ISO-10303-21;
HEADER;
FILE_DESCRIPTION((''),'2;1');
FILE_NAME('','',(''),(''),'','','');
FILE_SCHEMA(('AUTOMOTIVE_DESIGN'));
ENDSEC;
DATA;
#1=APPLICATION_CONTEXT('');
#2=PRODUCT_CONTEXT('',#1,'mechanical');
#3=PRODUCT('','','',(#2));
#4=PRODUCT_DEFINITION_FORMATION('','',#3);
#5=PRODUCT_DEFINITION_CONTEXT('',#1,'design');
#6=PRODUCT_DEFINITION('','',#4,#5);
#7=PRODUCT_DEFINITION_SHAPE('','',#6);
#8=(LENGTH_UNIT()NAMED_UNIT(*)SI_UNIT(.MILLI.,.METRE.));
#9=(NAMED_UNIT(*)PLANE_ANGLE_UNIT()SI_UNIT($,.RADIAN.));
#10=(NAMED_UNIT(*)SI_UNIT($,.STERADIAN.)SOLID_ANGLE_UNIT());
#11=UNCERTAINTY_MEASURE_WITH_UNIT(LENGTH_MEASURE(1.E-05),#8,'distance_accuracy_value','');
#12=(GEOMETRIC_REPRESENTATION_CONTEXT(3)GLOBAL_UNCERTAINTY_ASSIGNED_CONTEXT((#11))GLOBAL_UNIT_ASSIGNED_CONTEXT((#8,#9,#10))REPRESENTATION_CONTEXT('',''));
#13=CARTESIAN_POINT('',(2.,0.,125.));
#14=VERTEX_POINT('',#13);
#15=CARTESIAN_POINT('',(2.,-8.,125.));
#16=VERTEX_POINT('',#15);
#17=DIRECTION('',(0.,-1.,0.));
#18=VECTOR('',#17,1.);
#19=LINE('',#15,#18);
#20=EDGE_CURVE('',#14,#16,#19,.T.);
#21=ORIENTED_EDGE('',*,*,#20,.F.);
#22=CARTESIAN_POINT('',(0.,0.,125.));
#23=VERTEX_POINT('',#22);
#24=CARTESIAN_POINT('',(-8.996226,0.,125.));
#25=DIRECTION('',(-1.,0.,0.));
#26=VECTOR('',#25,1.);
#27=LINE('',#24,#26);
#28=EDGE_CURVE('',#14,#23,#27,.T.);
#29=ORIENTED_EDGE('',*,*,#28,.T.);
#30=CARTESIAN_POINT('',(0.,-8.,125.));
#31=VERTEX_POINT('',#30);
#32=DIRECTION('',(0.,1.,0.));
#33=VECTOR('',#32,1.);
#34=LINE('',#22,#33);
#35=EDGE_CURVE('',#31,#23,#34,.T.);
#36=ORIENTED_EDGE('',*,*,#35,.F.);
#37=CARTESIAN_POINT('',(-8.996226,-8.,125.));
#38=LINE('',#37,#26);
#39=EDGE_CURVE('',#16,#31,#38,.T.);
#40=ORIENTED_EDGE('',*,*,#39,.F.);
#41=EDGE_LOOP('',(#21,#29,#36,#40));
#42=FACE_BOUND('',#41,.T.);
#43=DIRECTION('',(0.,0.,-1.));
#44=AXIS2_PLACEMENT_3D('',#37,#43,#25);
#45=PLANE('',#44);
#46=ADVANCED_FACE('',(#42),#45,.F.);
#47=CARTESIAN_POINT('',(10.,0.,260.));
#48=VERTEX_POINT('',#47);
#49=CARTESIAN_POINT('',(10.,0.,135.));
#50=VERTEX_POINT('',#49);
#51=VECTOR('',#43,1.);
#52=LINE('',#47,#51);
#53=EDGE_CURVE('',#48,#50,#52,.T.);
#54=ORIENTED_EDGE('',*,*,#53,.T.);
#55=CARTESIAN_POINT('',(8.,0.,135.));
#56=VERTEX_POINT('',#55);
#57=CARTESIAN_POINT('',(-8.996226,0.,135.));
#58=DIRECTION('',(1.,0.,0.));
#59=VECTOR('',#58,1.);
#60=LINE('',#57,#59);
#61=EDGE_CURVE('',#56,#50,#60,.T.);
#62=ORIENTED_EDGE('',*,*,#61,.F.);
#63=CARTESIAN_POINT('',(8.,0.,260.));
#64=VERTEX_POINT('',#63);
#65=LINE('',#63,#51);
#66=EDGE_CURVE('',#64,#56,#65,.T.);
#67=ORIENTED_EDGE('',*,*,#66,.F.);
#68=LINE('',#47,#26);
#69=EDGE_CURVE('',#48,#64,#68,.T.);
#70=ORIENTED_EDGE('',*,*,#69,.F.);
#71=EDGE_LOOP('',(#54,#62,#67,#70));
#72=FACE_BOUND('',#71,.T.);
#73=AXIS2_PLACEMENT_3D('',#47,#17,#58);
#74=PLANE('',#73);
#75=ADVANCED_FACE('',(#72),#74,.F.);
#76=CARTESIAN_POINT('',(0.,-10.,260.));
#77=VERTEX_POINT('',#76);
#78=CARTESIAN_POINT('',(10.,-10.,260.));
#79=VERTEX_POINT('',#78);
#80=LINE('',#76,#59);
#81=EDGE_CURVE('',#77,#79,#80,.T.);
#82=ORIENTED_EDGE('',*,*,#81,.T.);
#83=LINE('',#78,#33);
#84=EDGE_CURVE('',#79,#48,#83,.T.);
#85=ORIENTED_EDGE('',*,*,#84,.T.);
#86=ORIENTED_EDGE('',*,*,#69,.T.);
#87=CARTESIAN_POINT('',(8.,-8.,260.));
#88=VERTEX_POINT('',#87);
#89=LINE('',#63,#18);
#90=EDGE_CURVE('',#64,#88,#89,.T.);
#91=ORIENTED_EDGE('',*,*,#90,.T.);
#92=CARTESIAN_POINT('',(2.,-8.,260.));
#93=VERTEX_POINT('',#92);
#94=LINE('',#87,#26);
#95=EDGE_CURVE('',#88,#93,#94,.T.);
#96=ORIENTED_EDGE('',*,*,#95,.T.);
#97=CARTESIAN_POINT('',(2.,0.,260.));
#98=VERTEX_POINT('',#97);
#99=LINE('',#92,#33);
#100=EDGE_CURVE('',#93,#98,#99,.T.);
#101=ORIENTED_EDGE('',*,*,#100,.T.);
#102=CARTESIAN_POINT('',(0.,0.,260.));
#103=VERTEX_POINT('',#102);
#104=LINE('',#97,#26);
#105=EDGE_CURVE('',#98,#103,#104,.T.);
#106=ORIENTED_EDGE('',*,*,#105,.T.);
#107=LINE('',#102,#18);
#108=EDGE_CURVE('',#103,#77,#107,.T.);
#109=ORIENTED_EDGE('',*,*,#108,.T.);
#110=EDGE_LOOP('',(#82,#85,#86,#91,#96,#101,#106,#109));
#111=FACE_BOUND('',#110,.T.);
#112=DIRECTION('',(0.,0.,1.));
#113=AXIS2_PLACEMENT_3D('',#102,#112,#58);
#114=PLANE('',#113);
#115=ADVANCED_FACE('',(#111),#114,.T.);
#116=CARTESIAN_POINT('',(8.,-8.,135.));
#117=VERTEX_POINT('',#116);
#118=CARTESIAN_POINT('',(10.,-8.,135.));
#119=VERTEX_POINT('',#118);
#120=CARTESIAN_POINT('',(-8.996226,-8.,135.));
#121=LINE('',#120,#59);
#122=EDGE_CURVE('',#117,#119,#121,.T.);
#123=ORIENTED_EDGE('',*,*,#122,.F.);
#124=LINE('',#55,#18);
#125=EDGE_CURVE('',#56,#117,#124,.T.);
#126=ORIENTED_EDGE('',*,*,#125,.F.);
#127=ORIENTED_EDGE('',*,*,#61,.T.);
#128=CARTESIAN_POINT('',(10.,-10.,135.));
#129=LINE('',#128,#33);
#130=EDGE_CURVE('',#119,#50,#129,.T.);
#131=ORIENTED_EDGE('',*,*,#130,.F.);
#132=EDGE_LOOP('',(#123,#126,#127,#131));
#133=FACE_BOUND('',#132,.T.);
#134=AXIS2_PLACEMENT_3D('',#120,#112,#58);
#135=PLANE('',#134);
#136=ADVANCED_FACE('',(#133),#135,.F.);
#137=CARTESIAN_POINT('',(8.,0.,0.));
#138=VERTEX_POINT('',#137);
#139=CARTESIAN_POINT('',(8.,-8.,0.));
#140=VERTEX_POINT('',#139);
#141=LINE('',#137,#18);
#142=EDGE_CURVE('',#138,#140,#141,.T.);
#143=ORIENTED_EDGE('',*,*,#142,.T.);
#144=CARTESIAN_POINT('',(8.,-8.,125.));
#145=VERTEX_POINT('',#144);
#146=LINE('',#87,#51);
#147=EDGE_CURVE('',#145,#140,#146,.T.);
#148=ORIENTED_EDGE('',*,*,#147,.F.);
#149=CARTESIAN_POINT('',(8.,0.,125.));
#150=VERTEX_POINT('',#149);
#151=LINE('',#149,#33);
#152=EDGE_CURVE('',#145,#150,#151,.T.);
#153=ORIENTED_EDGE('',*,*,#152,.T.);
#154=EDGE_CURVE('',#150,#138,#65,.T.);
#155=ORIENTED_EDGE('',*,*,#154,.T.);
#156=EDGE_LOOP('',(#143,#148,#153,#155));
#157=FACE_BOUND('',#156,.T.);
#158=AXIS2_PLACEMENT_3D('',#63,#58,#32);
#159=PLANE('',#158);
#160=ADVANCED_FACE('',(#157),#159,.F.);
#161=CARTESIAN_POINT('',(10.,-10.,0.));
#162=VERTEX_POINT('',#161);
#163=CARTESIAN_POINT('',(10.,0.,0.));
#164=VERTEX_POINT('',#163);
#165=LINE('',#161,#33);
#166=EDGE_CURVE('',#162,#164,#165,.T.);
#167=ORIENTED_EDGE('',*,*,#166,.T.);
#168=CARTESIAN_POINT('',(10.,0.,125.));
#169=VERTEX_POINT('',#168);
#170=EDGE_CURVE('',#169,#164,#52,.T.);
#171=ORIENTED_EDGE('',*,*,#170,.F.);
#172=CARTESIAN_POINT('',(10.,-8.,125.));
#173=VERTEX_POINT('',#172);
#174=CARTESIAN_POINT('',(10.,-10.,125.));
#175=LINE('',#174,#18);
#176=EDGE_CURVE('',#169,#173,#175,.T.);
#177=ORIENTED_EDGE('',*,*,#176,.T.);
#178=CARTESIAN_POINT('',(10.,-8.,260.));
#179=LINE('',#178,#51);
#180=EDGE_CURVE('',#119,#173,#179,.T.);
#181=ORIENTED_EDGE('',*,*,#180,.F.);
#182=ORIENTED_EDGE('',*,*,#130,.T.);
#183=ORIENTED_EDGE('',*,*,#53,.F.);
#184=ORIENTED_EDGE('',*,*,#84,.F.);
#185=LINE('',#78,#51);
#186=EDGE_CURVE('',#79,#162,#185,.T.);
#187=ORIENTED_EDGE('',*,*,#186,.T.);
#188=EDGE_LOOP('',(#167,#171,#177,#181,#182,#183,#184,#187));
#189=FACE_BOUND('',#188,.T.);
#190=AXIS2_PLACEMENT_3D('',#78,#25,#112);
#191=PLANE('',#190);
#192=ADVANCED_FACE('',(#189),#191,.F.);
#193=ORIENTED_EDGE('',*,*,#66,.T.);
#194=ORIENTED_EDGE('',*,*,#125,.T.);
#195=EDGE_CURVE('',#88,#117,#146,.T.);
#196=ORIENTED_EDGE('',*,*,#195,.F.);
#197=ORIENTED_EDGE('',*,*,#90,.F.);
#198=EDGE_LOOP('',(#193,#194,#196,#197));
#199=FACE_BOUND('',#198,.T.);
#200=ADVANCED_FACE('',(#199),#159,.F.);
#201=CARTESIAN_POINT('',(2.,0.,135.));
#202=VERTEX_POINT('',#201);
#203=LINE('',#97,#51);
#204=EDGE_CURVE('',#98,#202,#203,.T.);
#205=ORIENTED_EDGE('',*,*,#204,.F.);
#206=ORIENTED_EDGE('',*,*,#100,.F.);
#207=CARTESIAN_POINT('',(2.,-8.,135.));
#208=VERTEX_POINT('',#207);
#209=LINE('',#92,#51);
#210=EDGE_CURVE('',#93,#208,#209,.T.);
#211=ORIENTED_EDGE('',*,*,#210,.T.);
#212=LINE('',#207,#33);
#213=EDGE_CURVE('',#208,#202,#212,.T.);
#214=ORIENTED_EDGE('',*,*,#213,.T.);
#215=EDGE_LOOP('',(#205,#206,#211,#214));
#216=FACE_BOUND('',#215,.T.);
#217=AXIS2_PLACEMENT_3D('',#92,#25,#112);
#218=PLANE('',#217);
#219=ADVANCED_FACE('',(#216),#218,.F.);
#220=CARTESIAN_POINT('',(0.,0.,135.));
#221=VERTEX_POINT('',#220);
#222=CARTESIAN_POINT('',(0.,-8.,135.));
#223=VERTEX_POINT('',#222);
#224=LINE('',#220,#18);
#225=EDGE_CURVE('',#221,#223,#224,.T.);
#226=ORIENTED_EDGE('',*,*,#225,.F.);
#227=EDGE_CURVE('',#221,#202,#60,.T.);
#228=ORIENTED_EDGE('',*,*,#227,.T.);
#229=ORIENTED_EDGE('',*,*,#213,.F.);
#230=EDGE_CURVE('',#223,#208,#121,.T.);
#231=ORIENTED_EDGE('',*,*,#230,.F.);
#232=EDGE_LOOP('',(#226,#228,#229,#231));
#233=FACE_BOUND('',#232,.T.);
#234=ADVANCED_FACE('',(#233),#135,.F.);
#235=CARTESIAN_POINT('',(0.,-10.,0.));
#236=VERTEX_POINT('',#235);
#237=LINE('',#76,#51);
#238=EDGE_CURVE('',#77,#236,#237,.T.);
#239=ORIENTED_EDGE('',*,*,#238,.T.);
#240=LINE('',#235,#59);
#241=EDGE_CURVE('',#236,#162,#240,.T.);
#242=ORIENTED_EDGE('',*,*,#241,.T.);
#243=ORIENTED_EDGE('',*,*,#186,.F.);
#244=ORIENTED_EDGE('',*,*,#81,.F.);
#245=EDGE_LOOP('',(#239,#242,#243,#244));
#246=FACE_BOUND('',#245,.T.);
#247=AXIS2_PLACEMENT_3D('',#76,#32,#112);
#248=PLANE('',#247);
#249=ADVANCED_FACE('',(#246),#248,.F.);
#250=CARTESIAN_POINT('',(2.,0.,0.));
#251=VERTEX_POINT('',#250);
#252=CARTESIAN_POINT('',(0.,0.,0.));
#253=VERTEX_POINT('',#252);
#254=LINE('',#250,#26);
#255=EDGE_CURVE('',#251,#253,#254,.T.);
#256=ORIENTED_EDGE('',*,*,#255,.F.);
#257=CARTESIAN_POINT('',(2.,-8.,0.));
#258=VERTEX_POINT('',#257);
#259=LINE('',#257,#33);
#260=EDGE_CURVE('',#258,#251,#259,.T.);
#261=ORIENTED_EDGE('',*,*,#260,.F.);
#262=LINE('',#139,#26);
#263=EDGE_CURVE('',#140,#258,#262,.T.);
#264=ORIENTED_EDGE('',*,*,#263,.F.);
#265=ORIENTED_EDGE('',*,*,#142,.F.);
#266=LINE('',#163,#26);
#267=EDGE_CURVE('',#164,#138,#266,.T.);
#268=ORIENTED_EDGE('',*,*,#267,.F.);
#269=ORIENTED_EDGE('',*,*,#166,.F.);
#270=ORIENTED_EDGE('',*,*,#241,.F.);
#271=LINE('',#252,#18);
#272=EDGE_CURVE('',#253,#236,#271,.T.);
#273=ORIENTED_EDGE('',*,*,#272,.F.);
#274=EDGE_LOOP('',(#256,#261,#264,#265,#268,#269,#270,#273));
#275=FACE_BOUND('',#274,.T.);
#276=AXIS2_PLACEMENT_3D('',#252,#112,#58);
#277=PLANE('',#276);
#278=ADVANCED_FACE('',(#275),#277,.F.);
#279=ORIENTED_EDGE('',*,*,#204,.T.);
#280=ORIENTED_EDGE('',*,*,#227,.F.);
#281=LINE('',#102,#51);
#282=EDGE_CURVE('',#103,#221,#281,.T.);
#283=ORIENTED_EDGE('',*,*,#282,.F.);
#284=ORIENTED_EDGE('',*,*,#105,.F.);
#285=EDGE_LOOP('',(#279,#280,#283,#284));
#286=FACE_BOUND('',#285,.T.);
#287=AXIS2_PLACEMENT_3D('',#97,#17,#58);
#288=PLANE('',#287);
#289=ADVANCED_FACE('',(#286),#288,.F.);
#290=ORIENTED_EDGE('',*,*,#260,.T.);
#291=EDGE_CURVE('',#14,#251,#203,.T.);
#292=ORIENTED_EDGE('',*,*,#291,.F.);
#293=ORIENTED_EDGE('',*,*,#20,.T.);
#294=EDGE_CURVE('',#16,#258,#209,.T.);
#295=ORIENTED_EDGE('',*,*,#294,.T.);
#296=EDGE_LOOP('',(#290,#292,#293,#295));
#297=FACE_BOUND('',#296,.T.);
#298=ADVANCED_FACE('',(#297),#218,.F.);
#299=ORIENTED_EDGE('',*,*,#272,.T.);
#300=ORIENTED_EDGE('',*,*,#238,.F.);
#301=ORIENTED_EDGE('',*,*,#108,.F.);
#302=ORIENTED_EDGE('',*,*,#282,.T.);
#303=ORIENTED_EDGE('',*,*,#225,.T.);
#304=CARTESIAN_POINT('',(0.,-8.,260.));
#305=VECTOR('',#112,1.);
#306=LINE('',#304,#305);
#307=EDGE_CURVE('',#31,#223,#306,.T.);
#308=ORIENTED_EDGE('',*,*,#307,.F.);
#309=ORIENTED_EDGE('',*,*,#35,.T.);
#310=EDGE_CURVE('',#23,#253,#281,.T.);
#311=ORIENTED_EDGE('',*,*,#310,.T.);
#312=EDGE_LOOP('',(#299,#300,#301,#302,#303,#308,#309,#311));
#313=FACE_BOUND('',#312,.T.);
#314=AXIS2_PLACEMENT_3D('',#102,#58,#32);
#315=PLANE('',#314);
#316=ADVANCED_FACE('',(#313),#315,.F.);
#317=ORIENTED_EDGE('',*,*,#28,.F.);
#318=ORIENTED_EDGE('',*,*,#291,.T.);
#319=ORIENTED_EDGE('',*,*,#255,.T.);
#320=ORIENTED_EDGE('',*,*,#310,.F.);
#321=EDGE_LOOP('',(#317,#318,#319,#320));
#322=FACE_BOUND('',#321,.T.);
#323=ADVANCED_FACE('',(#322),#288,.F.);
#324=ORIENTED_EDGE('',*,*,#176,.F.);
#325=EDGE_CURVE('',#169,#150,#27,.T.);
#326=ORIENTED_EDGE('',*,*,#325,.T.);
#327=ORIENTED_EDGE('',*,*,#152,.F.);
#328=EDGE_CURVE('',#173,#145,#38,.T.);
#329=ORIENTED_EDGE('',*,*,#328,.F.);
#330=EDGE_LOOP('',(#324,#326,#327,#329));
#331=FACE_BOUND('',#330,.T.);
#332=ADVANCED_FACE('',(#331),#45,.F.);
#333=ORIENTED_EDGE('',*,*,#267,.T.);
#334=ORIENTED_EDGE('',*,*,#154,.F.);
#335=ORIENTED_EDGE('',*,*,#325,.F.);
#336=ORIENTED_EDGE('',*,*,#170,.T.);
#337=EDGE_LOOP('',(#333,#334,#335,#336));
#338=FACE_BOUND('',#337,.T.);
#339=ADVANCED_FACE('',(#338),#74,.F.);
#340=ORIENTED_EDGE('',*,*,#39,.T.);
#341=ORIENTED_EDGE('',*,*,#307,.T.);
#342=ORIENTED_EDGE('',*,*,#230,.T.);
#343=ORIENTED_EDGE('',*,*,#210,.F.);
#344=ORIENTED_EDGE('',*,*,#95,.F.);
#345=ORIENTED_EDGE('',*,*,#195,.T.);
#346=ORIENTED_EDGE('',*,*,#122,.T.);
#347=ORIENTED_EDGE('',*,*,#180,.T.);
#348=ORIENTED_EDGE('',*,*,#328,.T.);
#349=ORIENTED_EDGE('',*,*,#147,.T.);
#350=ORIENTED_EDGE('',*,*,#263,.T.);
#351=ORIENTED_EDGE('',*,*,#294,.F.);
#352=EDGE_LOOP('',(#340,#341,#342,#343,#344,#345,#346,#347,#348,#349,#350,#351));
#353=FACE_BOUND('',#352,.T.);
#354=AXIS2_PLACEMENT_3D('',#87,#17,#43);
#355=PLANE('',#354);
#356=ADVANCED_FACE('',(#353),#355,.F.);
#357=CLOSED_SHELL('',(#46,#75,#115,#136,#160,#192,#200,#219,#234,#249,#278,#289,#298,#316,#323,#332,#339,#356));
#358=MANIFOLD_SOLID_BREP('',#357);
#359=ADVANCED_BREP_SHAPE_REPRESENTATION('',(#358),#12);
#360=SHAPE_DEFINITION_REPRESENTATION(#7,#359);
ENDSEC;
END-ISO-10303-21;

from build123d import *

# Parameters (mm, degrees)
BOSS_EXTRU_1_DEPTH      = 260
ENL_V_MAT_EXTRU_1_DEPTH = 8


with BuildPart() as part:
    # Esquisse1 → Boss.-Extru.1 (new body)
    with BuildSketch(Plane.XY):
        Polygon((0, 0), (0, -10), (10, -10), (10, 0), (8, 0), (8, -8), (2, -8), (2, 0), align=None)
    extrude(amount=BOSS_EXTRU_1_DEPTH)

    # Esquisse2 → Enlèv. mat.-Extru.1 (cut)
    with BuildSketch(Plane(origin=(0, 0, 0), x_dir=(1, 0, 0), z_dir=(0, 1, 0))):
        Polygon((-8.996226047, -125), (31.208128552, -125), (31.208128552, -127.984639705), (31.208128552, -135), (-8.996226047, -135), align=None)
    extrude(amount=-ENL_V_MAT_EXTRU_1_DEPTH, mode=Mode.SUBTRACT)


solid = part.part
